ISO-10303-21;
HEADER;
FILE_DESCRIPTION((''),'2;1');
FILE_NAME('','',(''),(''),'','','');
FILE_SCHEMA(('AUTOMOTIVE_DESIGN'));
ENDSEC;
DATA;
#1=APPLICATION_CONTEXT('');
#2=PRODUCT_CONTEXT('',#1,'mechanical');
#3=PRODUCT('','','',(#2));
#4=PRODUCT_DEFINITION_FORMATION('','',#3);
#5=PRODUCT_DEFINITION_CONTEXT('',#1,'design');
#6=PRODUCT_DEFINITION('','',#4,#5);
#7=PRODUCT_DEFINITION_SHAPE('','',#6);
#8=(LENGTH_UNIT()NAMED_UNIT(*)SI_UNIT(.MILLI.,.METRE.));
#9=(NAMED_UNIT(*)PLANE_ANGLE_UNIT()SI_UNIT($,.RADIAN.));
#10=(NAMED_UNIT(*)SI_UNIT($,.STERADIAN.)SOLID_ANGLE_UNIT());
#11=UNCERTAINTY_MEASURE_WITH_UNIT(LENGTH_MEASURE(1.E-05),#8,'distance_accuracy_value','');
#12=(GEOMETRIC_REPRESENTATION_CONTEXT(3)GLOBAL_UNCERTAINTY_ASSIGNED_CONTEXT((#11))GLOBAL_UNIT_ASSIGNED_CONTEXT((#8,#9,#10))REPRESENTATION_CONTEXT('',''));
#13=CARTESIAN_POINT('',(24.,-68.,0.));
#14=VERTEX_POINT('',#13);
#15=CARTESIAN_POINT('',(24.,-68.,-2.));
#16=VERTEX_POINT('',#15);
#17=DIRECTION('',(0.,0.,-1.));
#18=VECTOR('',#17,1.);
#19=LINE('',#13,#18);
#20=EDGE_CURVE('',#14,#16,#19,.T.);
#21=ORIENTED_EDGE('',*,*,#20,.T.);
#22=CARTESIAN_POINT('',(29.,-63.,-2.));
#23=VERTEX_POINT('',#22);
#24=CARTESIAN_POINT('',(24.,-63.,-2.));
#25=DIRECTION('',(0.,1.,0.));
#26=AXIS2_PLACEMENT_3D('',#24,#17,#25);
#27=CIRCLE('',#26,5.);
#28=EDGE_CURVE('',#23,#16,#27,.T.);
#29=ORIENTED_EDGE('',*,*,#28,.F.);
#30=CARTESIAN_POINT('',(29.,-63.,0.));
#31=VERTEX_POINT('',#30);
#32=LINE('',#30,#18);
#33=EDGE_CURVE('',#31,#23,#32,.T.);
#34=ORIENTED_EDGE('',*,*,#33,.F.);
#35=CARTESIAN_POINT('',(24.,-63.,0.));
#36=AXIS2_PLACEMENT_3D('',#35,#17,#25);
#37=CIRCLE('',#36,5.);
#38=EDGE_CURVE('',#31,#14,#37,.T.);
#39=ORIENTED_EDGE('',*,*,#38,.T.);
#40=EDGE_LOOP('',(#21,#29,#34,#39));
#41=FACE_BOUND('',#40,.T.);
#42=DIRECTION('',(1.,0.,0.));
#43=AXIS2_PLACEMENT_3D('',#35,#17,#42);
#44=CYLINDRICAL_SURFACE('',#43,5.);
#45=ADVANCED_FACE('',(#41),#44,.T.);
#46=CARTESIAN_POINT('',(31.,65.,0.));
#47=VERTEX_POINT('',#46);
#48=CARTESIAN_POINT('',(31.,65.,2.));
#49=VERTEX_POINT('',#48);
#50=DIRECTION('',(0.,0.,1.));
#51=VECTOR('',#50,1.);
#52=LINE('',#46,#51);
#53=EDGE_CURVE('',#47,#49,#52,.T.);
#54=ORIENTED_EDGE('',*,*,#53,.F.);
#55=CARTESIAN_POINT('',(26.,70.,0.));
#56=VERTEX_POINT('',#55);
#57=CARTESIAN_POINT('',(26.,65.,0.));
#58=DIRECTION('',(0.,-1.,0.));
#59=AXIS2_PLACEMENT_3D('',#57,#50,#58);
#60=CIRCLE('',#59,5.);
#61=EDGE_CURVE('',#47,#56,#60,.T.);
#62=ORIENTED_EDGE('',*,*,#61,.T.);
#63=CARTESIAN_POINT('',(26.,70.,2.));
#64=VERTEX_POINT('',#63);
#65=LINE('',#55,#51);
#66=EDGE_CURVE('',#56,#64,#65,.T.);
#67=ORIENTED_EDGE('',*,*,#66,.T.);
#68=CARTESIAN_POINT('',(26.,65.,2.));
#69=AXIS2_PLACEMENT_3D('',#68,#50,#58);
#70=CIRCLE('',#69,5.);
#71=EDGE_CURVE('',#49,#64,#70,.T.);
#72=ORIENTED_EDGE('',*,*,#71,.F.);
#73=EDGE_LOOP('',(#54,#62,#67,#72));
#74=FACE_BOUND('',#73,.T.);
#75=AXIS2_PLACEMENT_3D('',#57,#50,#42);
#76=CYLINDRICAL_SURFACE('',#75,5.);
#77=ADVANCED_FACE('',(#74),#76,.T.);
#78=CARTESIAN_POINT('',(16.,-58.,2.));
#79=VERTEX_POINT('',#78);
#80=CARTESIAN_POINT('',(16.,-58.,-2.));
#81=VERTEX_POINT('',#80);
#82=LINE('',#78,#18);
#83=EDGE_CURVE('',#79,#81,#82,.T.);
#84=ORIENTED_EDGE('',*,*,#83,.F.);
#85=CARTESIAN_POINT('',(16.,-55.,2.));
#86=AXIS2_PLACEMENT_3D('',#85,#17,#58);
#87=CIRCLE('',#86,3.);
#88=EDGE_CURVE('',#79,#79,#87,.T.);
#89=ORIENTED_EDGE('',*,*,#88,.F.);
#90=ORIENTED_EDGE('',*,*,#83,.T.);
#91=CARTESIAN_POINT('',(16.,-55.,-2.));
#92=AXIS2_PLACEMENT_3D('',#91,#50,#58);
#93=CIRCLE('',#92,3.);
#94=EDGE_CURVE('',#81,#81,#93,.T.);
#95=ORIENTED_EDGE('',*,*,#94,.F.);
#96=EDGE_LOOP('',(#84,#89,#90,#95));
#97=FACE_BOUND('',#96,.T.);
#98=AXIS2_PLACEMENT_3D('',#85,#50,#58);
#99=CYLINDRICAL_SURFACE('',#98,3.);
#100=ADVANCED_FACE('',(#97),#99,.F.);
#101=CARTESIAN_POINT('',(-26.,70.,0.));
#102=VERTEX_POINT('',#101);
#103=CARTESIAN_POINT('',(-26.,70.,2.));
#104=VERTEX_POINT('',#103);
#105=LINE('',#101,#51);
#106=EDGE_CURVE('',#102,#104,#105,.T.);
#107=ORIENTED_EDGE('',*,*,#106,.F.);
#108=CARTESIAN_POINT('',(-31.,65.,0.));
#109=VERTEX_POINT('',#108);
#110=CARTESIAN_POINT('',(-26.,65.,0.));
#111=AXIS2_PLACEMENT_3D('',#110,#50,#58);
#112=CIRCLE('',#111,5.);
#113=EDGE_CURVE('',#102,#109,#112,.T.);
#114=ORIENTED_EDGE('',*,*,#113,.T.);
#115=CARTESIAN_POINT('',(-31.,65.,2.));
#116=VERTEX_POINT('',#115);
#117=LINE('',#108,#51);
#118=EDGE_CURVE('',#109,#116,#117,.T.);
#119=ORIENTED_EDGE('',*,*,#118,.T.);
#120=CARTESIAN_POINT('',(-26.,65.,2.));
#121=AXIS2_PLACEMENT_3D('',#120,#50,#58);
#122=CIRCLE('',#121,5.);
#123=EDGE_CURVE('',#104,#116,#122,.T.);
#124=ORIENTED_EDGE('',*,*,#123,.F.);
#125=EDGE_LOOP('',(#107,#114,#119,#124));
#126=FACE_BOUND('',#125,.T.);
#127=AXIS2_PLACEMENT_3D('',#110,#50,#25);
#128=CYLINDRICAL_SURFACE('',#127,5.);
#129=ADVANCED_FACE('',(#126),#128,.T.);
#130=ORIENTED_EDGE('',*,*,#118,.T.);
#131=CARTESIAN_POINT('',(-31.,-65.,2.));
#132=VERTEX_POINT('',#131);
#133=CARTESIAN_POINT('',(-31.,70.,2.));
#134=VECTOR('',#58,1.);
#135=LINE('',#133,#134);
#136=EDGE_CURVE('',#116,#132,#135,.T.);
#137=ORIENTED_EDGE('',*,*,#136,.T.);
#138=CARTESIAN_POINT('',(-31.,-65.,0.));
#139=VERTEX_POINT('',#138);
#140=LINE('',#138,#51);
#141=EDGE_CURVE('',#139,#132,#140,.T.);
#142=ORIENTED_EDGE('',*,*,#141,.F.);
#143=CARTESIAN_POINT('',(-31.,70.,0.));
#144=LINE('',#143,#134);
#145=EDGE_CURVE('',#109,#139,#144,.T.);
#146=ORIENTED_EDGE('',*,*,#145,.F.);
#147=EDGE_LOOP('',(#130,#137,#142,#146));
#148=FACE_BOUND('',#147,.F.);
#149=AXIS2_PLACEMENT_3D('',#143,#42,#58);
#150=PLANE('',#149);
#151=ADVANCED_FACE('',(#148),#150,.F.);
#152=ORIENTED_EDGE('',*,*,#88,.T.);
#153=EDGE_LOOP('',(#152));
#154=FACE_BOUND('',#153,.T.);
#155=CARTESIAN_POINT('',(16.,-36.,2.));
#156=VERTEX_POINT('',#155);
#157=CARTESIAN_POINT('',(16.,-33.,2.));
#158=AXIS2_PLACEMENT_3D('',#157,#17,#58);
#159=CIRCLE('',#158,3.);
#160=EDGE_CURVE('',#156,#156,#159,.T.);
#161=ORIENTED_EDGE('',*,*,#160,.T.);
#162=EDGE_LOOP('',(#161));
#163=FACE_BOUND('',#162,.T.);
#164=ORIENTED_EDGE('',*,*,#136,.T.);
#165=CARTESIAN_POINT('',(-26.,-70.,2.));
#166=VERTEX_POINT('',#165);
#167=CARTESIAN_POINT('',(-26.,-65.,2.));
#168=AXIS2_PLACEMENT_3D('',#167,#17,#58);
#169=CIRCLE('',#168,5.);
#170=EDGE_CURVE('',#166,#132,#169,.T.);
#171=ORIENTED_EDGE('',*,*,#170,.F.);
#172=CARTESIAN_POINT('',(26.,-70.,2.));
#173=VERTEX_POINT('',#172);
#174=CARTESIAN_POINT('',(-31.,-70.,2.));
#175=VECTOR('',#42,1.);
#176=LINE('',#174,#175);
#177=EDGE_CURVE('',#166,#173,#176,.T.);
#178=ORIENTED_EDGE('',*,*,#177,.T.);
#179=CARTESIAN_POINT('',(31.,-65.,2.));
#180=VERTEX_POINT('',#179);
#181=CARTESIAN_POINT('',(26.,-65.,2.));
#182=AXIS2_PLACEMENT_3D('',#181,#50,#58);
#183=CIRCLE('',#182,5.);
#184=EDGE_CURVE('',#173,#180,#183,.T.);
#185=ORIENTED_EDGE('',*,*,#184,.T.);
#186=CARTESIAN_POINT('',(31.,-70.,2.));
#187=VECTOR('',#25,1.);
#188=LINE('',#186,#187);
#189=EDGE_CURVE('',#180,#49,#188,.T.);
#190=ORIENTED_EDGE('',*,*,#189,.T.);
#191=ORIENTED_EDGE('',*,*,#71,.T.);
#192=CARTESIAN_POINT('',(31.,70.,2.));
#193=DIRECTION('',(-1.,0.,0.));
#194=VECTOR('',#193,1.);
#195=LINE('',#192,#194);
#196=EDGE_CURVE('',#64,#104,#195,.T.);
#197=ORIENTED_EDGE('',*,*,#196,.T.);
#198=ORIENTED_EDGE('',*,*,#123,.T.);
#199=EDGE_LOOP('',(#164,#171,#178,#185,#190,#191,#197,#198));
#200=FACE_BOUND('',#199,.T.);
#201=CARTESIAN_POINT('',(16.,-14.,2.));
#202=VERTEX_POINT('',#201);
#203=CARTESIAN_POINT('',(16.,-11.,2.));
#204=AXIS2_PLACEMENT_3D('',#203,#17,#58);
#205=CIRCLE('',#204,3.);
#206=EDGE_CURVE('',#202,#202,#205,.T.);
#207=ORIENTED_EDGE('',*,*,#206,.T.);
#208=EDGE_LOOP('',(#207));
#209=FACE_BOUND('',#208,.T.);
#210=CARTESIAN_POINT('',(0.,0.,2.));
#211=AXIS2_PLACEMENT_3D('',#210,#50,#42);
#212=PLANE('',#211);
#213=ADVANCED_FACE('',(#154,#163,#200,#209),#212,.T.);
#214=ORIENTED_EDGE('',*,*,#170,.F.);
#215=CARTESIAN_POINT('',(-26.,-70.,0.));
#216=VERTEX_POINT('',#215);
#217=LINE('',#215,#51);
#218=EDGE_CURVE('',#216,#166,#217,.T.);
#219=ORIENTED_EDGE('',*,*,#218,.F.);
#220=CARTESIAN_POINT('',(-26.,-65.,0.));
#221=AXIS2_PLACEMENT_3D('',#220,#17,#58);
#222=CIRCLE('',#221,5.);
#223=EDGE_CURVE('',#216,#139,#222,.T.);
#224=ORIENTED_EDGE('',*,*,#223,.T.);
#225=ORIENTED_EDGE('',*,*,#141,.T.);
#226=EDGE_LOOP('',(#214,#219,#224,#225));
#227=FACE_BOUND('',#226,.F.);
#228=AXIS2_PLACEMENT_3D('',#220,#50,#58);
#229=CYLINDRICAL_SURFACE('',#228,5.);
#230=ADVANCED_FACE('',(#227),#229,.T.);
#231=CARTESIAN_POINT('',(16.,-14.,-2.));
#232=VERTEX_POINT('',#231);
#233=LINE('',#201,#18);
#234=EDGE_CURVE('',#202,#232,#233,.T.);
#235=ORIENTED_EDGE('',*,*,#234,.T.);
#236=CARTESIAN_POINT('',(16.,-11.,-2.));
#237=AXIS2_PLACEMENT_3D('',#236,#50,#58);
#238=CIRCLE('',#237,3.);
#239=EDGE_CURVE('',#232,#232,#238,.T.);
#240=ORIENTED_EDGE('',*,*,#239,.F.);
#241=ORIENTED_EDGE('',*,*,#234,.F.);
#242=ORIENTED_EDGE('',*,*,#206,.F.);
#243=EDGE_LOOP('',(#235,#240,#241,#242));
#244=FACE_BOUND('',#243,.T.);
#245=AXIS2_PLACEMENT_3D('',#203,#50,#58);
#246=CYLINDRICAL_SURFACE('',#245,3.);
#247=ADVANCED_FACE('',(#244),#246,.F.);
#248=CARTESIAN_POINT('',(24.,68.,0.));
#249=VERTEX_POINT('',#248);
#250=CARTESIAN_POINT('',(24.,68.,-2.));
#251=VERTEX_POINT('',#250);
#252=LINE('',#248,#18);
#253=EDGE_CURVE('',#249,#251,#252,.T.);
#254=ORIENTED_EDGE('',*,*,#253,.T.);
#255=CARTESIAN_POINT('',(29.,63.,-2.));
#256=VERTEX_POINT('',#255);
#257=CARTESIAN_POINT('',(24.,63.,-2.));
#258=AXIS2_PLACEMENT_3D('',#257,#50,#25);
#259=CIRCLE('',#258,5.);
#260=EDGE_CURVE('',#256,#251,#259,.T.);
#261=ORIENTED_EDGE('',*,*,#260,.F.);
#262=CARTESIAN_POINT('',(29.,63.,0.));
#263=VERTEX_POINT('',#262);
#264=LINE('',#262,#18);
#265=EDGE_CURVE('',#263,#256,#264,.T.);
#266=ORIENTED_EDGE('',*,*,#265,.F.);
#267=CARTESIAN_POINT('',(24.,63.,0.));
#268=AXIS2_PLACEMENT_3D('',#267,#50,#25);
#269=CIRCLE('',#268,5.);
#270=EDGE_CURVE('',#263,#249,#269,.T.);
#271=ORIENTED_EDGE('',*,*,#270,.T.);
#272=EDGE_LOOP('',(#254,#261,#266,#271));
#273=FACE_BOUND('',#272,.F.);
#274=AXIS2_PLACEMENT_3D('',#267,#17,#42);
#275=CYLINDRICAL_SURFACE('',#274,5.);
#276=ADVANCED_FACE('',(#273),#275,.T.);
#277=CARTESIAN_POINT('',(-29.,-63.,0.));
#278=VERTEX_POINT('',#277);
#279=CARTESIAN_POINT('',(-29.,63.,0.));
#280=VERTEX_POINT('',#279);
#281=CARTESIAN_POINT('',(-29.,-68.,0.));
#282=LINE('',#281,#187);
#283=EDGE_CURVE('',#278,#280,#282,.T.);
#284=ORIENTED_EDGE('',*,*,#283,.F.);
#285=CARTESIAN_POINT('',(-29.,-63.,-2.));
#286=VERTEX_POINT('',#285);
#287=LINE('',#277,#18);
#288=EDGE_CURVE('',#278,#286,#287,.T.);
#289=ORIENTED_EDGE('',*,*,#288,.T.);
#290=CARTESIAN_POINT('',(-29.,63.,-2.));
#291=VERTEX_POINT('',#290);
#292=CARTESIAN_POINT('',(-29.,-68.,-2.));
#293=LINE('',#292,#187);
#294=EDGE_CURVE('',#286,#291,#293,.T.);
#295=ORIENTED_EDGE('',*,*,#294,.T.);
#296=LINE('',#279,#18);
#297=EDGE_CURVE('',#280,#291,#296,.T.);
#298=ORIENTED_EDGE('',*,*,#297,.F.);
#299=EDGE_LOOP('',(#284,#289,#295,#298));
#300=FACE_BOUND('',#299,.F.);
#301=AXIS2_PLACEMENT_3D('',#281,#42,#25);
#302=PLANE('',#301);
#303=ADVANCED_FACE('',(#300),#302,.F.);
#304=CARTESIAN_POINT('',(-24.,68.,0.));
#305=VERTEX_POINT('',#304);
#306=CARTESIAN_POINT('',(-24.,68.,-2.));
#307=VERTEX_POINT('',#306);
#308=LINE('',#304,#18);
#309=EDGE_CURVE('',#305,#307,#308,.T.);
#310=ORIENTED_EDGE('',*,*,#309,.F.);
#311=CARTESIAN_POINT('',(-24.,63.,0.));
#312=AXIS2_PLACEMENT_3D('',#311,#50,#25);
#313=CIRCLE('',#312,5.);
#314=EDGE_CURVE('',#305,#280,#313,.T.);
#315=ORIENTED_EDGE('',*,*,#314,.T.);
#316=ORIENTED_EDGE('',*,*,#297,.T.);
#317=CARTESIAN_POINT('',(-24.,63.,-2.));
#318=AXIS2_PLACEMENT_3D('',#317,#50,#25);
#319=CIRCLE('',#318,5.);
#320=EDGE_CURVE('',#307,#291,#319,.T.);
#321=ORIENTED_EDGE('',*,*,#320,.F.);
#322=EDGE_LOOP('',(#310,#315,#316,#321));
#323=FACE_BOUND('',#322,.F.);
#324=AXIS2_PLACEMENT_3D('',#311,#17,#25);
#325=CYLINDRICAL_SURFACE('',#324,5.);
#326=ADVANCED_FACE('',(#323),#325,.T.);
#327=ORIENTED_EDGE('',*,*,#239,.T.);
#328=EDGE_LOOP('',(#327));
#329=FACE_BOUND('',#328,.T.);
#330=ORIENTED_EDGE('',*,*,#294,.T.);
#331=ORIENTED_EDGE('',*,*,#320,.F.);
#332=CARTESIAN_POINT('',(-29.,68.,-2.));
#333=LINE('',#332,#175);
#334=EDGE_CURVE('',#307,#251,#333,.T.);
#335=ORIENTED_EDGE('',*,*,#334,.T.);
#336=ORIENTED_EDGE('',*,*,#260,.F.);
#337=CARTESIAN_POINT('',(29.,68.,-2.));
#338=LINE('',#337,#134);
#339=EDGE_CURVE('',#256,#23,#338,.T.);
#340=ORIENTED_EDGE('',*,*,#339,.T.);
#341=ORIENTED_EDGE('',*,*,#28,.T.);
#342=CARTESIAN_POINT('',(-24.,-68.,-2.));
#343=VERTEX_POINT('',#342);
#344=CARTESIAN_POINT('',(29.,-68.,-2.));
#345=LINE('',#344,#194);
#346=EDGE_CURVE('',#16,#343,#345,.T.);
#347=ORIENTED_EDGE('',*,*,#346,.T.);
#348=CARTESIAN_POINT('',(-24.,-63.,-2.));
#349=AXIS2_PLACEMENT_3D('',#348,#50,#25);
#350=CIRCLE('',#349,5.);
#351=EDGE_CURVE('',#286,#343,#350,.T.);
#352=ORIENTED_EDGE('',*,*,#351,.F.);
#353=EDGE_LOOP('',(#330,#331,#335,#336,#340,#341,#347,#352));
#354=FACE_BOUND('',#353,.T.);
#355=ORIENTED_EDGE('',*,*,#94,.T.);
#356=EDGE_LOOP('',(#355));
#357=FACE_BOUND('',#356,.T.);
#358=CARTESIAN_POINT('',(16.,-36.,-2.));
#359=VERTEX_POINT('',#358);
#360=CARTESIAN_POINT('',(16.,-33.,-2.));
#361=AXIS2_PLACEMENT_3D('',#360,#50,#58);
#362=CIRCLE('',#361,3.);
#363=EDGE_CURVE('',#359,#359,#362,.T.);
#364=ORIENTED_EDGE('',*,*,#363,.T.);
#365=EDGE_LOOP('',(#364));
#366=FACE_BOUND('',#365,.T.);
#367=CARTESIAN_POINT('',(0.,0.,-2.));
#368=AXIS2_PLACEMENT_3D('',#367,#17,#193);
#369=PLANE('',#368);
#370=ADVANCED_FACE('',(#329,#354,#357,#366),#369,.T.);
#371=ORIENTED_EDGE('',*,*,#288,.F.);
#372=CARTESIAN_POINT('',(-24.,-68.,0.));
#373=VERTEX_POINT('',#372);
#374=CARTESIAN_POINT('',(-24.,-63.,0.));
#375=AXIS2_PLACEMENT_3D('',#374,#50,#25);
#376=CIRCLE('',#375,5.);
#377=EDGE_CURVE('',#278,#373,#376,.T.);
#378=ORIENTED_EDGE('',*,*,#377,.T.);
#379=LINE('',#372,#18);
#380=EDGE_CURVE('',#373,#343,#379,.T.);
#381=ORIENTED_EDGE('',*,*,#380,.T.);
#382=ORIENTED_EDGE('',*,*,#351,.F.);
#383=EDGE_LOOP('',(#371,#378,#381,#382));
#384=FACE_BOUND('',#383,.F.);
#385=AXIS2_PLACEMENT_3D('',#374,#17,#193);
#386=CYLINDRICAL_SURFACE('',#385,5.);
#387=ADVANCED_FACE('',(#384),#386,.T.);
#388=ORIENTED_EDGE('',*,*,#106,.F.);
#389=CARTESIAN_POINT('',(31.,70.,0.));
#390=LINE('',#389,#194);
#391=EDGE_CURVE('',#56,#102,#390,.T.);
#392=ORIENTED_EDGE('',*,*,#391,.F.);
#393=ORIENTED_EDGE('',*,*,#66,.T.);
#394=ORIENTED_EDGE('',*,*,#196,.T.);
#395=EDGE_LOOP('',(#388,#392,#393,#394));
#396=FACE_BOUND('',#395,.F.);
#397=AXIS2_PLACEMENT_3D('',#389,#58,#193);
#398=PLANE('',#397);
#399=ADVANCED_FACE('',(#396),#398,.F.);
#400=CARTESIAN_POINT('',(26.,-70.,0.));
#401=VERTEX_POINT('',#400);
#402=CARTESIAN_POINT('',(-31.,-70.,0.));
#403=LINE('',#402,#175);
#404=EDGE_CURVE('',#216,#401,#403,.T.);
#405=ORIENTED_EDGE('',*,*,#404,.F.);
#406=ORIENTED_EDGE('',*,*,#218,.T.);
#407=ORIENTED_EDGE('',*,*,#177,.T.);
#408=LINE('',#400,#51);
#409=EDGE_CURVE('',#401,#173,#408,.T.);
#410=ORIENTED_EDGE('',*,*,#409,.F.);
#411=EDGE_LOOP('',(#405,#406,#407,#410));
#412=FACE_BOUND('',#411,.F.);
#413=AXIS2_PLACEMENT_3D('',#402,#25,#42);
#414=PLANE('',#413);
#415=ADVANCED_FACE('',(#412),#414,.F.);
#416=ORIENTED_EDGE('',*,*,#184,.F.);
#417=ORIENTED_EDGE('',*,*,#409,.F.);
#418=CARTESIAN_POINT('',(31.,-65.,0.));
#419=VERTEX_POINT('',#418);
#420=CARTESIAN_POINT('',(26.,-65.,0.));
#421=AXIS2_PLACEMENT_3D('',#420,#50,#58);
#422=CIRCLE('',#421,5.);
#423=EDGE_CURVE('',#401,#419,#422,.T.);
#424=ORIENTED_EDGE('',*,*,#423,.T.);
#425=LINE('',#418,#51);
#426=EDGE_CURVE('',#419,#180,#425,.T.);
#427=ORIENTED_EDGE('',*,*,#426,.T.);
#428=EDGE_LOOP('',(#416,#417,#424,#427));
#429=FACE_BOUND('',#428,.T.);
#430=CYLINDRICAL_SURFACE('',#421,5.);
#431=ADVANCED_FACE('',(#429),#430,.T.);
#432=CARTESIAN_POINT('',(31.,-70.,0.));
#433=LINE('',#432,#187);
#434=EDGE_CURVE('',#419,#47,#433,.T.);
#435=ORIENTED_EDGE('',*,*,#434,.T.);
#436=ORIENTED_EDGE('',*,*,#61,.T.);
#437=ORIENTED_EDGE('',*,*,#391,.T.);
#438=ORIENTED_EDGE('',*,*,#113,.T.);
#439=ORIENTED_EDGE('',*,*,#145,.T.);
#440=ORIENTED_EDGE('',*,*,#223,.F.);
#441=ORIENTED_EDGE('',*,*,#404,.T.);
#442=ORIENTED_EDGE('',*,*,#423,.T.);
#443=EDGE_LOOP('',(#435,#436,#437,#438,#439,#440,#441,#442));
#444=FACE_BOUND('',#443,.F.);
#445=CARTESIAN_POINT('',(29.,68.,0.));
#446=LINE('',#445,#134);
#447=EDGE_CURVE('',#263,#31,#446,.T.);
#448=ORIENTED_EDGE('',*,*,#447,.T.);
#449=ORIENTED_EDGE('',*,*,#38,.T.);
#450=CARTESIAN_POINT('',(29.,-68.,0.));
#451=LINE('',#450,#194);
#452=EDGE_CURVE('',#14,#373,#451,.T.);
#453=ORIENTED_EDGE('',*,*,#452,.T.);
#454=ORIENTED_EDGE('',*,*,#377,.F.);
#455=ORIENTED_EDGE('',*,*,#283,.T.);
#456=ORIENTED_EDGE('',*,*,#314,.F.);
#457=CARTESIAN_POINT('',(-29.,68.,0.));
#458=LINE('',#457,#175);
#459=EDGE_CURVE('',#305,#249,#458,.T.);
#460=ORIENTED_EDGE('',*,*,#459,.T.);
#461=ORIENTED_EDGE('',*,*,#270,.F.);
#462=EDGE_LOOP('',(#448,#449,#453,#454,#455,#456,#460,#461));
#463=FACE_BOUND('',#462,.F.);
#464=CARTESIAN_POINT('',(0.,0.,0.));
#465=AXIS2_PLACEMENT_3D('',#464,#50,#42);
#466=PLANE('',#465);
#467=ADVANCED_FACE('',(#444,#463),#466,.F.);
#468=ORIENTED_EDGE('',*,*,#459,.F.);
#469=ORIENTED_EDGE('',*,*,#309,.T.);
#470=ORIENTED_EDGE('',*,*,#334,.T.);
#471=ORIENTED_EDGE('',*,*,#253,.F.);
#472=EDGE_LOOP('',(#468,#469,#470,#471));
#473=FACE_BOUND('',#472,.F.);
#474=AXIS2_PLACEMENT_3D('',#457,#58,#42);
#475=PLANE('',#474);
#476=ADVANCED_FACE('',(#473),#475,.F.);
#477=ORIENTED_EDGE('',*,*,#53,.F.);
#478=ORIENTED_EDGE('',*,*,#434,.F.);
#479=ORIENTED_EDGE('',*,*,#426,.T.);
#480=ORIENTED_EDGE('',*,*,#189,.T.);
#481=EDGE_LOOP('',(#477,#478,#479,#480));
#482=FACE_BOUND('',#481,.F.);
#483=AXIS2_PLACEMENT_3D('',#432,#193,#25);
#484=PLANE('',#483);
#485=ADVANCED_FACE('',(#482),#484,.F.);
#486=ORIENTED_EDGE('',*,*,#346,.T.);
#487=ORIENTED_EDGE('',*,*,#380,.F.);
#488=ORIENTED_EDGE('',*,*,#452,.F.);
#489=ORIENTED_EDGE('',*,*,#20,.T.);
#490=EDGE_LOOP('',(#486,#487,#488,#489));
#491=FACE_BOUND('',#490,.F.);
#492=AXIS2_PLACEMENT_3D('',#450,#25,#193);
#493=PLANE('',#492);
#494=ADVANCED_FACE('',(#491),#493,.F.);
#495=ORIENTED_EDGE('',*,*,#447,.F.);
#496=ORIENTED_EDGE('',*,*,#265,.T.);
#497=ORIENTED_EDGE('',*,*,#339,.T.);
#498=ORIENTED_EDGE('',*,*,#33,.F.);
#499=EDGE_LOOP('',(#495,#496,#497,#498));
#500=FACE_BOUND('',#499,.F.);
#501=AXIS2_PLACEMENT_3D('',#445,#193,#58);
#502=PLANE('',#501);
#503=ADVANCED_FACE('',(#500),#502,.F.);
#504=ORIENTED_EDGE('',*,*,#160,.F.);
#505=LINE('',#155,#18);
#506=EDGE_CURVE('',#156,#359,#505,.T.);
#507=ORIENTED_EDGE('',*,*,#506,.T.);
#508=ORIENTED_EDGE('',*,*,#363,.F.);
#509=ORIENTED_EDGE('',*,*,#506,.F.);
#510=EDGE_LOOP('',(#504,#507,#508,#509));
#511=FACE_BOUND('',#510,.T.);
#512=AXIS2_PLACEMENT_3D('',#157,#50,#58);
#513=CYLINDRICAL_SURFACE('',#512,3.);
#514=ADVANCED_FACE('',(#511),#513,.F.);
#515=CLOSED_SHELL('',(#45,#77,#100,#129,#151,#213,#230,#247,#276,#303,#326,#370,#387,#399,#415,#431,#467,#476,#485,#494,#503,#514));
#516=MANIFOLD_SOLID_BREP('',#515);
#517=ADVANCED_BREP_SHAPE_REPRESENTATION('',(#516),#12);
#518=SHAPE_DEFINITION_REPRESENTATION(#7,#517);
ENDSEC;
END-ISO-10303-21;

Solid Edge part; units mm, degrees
sketch "Sketch1" plane through (0, 0, 0) normal (0, 0, 1) x (1, 0, 0)
  line L0 (-31, -70) -> (31, -70)
  line L1 (31, -70) -> (31, 70)
  line L2 (31, 70) -> (-31, 70)
  line L3 (-31, 70) -> (-31, -70)
  dimension "D1" = 140
  dimension "D2" = 62
extrude "Ajout_matière_1" add sketch "Sketch1" along normal blind 2
fillet "Congé_1" radius 5 4 edges at (-31, -70, 1) (31, -70, 1) (-31, 70, 1) (31, 70, 1)
sketch "Sketch2" plane through (0, 0, 0) normal (0, 0, -1) x (-1, 0, 0)
  line L0 (-29, -68) -> (29, -68)
  line L1 (29, -68) -> (29, 68)
  line L2 (29, 68) -> (-29, 68)
  line L3 (-29, 68) -> (-29, -68)
  dimension "D1" = 2
  dimension "D2" = 2
  dimension "D3" = 2
  dimension "D4" = 2
extrude "Ajout_matière_2" add sketch "Sketch2" along normal blind 2
fillet "Congé_2" radius 5 4 edges at (29, 68, -1) (-29, 68, -1) (-29, -68, -1) (29, -68, -1)
hole "Perçage_1" at (16, -55, 2) direction (0, 0, -1) diameter 6 end up to next
hole "Hole1" at (16, -33, 2) direction (0, 0, -1) diameter 6 end up to next
hole "Hole2" at (16, -11, 2) direction (0, 0, -1) diameter 6 end up to next
properties material "Acier S235"
